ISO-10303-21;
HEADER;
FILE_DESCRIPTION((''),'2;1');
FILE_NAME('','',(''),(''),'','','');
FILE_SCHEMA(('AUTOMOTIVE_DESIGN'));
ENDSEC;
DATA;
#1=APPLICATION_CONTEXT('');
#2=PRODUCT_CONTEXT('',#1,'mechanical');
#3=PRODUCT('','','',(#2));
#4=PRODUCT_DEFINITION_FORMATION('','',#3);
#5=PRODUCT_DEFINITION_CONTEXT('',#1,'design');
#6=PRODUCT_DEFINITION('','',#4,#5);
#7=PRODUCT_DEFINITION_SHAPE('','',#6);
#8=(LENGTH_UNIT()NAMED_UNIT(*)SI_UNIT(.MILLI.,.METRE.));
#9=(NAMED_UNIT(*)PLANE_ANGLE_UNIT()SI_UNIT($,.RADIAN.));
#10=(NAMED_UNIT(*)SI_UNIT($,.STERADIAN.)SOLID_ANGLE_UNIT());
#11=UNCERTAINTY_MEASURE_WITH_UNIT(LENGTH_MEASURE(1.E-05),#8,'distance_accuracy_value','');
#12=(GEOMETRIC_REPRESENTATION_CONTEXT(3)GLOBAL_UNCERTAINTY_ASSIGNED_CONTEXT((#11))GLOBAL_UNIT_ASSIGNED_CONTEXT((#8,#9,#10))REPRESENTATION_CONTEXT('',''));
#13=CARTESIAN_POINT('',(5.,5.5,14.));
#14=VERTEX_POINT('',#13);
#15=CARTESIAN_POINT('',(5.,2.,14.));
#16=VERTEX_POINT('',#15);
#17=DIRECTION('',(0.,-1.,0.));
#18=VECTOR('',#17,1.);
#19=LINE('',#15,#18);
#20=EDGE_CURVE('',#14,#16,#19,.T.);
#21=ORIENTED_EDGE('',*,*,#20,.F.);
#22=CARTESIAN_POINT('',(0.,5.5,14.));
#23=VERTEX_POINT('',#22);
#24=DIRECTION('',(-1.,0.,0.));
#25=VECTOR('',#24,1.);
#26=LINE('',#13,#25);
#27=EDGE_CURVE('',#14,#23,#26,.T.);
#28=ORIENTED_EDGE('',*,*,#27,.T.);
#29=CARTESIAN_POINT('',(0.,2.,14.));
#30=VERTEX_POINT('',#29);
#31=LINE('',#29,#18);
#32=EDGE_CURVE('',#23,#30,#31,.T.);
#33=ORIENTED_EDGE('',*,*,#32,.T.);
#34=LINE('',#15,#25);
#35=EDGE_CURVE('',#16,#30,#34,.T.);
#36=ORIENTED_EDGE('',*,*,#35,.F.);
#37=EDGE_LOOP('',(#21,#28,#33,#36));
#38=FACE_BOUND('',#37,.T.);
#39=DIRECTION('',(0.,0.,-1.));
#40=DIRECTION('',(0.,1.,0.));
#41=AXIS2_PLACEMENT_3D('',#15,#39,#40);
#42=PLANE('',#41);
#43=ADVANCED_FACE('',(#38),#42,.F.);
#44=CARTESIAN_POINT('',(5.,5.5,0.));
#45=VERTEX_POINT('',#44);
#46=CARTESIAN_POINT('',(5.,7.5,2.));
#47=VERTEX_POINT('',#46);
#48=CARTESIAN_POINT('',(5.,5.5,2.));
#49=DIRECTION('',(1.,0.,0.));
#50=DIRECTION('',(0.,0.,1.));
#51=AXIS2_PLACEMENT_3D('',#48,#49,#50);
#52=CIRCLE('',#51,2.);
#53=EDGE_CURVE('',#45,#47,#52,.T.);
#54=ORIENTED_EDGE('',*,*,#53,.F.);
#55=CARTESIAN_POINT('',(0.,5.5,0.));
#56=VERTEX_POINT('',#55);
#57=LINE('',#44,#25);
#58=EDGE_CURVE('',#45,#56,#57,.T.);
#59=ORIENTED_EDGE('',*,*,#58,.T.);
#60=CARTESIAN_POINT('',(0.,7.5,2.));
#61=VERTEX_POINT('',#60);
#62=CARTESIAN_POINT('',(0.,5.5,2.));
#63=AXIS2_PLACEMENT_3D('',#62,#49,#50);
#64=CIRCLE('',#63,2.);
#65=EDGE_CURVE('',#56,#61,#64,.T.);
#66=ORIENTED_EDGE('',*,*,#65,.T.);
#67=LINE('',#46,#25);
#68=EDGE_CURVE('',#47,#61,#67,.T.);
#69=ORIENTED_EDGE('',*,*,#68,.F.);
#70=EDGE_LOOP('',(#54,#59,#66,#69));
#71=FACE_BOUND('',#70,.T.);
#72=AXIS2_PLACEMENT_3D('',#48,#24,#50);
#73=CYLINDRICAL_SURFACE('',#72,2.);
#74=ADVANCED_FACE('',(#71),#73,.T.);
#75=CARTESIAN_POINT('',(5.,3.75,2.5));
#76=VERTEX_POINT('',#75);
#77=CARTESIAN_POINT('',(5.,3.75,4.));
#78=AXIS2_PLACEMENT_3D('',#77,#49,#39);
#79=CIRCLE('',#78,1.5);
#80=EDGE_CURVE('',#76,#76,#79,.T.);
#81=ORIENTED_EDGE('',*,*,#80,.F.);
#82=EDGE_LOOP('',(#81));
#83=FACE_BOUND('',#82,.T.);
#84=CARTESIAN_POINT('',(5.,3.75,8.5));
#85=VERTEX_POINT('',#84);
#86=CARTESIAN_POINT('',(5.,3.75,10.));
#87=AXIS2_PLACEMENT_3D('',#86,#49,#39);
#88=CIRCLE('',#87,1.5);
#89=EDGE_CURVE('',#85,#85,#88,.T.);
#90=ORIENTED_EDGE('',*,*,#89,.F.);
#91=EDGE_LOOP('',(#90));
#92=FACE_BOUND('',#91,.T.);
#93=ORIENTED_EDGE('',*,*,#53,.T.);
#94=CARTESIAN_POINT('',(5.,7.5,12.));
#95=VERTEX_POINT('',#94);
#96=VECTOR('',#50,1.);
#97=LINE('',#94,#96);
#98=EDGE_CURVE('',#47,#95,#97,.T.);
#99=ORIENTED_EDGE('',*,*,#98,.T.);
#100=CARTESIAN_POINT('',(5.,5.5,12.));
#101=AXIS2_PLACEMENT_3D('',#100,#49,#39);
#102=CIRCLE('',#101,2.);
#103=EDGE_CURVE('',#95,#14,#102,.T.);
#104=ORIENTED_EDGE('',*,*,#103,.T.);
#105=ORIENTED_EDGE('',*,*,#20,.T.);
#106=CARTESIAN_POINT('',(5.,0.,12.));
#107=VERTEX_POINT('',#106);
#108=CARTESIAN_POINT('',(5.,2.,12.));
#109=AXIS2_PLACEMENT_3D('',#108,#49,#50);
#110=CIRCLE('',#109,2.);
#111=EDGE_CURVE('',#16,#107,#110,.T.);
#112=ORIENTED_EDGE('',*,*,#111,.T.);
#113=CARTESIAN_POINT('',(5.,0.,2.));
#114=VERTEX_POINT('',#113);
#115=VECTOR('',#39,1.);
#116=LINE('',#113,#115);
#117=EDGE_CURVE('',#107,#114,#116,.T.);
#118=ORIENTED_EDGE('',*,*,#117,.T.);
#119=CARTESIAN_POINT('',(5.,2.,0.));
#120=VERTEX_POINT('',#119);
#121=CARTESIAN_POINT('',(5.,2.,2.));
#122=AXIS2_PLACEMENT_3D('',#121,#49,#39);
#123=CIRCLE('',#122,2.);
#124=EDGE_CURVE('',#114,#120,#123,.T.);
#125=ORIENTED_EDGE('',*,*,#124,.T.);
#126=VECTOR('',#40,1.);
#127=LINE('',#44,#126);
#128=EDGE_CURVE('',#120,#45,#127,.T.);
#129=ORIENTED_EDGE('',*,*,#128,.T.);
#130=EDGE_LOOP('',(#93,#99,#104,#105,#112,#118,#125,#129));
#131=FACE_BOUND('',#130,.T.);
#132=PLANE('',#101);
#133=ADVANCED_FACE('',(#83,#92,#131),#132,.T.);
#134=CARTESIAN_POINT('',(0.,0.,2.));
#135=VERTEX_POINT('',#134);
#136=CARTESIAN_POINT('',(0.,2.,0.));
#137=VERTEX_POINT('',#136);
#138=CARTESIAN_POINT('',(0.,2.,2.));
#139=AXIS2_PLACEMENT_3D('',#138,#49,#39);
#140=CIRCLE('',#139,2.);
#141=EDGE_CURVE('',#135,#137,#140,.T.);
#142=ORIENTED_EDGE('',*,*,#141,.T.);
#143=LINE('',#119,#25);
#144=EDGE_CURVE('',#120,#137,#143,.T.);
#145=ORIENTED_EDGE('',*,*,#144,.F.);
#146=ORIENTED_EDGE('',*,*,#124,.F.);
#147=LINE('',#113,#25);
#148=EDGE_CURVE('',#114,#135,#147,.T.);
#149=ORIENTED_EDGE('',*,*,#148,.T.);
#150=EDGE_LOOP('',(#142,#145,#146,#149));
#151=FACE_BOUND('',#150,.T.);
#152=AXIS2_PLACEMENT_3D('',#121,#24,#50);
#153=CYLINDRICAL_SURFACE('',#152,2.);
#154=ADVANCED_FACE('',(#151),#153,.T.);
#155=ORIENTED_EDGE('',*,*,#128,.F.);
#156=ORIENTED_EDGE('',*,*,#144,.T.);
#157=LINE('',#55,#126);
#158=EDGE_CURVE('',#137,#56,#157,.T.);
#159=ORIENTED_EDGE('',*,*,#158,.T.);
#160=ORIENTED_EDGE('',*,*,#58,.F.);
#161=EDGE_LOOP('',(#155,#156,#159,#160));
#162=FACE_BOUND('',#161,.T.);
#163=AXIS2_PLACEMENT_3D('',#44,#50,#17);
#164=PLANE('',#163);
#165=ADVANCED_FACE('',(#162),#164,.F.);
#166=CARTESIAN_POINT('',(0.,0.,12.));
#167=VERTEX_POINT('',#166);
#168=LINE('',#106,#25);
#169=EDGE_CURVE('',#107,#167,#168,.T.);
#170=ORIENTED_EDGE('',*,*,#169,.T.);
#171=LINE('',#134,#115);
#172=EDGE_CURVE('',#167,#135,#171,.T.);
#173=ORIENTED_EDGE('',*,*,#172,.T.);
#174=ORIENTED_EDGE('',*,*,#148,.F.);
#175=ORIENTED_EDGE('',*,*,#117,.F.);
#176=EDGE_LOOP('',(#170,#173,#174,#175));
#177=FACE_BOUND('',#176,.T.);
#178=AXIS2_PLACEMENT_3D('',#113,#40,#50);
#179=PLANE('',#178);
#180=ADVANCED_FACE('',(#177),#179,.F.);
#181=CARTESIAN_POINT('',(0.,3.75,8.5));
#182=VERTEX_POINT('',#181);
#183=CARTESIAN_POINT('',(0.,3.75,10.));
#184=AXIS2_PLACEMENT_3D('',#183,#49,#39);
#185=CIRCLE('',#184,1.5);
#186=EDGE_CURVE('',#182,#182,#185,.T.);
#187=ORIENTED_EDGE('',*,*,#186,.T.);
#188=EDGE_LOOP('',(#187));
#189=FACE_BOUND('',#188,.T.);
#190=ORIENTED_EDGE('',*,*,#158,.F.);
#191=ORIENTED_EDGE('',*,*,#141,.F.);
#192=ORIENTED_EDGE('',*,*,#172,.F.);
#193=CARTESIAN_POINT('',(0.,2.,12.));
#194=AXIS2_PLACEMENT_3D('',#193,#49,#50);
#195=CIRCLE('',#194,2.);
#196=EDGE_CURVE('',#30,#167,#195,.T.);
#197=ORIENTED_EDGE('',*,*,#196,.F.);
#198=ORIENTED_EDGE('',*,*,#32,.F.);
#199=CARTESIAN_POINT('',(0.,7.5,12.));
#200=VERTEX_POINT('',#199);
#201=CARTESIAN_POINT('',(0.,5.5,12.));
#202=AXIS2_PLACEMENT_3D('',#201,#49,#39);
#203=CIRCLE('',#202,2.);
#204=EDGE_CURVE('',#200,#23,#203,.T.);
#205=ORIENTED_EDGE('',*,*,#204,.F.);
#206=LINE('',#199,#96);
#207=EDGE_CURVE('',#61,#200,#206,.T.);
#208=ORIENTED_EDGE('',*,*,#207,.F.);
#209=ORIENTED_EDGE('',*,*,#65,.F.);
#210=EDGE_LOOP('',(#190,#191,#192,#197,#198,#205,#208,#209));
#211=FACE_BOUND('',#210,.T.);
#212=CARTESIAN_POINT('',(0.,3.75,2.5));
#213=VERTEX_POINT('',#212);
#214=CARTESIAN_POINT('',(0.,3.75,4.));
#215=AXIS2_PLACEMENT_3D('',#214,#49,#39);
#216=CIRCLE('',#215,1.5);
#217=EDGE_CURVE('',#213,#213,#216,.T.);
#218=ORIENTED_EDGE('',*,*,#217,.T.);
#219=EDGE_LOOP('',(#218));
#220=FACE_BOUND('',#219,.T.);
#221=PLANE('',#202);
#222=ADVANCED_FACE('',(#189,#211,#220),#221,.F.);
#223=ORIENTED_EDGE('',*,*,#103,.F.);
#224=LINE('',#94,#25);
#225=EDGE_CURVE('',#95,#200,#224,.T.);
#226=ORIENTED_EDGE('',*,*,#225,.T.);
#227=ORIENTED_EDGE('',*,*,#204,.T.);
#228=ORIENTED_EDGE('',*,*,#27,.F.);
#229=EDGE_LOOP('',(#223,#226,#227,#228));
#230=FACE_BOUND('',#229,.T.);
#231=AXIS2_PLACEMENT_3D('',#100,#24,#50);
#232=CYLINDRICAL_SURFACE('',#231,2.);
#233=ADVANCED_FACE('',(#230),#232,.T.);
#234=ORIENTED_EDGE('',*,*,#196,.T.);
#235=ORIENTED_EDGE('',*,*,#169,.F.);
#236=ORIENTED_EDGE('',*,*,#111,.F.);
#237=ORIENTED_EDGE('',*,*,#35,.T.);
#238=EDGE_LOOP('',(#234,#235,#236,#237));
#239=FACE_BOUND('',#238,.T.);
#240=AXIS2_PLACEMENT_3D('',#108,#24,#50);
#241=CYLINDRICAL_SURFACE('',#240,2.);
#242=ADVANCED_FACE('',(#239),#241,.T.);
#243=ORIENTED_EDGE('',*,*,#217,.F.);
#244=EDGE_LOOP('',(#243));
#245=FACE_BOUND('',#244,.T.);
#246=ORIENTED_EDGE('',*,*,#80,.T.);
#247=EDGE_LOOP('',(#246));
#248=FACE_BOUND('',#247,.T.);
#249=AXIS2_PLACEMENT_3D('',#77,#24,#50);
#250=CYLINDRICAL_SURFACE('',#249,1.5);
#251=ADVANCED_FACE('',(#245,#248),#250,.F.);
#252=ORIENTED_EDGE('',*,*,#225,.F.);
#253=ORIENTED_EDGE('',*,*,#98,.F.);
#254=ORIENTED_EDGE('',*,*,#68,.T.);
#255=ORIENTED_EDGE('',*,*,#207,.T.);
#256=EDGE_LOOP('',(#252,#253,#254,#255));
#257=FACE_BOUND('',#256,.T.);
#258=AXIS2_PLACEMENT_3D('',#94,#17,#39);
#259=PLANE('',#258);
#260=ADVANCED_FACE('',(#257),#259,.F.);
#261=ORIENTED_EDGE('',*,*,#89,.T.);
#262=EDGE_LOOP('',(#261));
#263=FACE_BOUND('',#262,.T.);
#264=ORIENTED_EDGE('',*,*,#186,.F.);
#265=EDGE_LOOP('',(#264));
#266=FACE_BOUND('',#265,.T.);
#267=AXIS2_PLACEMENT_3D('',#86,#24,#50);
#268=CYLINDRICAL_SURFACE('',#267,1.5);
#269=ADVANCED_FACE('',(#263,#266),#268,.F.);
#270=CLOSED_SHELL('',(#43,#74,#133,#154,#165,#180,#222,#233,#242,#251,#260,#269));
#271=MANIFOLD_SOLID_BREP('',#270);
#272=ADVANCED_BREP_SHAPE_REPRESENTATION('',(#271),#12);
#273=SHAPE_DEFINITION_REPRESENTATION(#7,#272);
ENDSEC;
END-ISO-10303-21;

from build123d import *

# Parameters (mm, degrees)
SKETCH1_R           = 1.5
BOSS_EXTRUDE1_DEPTH = 5


with BuildPart() as part:
    # Sketch1 → Boss-Extrude1 (new body)
    with BuildSketch(Plane.YZ):
        with BuildLine():
            Line((0, 2), (0, 12))
            ThreePointArc((0, 12), (0.585786438, 13.414213562), (2, 14))
            Line((2, 14), (5.5, 14))
            ThreePointArc((5.5, 14), (6.914213562, 13.414213562), (7.5, 12))
            Line((7.5, 12), (7.5, 2))
            ThreePointArc((7.5, 2), (6.914213562, 0.585786438), (5.5, 0))
            Line((5.5, 0), (2, 0))
            ThreePointArc((2, 0), (0.585786438, 0.585786438), (0, 2))
        make_face()
        with Locations(Location((3.75, 10, 0), (0, 0, 270))):
            Circle(SKETCH1_R, mode=Mode.SUBTRACT)
        with Locations(Location((3.75, 4, 0), (0, 0, 270))):
            Circle(SKETCH1_R, mode=Mode.SUBTRACT)
    extrude(amount=BOSS_EXTRUDE1_DEPTH)


solid = part.part
